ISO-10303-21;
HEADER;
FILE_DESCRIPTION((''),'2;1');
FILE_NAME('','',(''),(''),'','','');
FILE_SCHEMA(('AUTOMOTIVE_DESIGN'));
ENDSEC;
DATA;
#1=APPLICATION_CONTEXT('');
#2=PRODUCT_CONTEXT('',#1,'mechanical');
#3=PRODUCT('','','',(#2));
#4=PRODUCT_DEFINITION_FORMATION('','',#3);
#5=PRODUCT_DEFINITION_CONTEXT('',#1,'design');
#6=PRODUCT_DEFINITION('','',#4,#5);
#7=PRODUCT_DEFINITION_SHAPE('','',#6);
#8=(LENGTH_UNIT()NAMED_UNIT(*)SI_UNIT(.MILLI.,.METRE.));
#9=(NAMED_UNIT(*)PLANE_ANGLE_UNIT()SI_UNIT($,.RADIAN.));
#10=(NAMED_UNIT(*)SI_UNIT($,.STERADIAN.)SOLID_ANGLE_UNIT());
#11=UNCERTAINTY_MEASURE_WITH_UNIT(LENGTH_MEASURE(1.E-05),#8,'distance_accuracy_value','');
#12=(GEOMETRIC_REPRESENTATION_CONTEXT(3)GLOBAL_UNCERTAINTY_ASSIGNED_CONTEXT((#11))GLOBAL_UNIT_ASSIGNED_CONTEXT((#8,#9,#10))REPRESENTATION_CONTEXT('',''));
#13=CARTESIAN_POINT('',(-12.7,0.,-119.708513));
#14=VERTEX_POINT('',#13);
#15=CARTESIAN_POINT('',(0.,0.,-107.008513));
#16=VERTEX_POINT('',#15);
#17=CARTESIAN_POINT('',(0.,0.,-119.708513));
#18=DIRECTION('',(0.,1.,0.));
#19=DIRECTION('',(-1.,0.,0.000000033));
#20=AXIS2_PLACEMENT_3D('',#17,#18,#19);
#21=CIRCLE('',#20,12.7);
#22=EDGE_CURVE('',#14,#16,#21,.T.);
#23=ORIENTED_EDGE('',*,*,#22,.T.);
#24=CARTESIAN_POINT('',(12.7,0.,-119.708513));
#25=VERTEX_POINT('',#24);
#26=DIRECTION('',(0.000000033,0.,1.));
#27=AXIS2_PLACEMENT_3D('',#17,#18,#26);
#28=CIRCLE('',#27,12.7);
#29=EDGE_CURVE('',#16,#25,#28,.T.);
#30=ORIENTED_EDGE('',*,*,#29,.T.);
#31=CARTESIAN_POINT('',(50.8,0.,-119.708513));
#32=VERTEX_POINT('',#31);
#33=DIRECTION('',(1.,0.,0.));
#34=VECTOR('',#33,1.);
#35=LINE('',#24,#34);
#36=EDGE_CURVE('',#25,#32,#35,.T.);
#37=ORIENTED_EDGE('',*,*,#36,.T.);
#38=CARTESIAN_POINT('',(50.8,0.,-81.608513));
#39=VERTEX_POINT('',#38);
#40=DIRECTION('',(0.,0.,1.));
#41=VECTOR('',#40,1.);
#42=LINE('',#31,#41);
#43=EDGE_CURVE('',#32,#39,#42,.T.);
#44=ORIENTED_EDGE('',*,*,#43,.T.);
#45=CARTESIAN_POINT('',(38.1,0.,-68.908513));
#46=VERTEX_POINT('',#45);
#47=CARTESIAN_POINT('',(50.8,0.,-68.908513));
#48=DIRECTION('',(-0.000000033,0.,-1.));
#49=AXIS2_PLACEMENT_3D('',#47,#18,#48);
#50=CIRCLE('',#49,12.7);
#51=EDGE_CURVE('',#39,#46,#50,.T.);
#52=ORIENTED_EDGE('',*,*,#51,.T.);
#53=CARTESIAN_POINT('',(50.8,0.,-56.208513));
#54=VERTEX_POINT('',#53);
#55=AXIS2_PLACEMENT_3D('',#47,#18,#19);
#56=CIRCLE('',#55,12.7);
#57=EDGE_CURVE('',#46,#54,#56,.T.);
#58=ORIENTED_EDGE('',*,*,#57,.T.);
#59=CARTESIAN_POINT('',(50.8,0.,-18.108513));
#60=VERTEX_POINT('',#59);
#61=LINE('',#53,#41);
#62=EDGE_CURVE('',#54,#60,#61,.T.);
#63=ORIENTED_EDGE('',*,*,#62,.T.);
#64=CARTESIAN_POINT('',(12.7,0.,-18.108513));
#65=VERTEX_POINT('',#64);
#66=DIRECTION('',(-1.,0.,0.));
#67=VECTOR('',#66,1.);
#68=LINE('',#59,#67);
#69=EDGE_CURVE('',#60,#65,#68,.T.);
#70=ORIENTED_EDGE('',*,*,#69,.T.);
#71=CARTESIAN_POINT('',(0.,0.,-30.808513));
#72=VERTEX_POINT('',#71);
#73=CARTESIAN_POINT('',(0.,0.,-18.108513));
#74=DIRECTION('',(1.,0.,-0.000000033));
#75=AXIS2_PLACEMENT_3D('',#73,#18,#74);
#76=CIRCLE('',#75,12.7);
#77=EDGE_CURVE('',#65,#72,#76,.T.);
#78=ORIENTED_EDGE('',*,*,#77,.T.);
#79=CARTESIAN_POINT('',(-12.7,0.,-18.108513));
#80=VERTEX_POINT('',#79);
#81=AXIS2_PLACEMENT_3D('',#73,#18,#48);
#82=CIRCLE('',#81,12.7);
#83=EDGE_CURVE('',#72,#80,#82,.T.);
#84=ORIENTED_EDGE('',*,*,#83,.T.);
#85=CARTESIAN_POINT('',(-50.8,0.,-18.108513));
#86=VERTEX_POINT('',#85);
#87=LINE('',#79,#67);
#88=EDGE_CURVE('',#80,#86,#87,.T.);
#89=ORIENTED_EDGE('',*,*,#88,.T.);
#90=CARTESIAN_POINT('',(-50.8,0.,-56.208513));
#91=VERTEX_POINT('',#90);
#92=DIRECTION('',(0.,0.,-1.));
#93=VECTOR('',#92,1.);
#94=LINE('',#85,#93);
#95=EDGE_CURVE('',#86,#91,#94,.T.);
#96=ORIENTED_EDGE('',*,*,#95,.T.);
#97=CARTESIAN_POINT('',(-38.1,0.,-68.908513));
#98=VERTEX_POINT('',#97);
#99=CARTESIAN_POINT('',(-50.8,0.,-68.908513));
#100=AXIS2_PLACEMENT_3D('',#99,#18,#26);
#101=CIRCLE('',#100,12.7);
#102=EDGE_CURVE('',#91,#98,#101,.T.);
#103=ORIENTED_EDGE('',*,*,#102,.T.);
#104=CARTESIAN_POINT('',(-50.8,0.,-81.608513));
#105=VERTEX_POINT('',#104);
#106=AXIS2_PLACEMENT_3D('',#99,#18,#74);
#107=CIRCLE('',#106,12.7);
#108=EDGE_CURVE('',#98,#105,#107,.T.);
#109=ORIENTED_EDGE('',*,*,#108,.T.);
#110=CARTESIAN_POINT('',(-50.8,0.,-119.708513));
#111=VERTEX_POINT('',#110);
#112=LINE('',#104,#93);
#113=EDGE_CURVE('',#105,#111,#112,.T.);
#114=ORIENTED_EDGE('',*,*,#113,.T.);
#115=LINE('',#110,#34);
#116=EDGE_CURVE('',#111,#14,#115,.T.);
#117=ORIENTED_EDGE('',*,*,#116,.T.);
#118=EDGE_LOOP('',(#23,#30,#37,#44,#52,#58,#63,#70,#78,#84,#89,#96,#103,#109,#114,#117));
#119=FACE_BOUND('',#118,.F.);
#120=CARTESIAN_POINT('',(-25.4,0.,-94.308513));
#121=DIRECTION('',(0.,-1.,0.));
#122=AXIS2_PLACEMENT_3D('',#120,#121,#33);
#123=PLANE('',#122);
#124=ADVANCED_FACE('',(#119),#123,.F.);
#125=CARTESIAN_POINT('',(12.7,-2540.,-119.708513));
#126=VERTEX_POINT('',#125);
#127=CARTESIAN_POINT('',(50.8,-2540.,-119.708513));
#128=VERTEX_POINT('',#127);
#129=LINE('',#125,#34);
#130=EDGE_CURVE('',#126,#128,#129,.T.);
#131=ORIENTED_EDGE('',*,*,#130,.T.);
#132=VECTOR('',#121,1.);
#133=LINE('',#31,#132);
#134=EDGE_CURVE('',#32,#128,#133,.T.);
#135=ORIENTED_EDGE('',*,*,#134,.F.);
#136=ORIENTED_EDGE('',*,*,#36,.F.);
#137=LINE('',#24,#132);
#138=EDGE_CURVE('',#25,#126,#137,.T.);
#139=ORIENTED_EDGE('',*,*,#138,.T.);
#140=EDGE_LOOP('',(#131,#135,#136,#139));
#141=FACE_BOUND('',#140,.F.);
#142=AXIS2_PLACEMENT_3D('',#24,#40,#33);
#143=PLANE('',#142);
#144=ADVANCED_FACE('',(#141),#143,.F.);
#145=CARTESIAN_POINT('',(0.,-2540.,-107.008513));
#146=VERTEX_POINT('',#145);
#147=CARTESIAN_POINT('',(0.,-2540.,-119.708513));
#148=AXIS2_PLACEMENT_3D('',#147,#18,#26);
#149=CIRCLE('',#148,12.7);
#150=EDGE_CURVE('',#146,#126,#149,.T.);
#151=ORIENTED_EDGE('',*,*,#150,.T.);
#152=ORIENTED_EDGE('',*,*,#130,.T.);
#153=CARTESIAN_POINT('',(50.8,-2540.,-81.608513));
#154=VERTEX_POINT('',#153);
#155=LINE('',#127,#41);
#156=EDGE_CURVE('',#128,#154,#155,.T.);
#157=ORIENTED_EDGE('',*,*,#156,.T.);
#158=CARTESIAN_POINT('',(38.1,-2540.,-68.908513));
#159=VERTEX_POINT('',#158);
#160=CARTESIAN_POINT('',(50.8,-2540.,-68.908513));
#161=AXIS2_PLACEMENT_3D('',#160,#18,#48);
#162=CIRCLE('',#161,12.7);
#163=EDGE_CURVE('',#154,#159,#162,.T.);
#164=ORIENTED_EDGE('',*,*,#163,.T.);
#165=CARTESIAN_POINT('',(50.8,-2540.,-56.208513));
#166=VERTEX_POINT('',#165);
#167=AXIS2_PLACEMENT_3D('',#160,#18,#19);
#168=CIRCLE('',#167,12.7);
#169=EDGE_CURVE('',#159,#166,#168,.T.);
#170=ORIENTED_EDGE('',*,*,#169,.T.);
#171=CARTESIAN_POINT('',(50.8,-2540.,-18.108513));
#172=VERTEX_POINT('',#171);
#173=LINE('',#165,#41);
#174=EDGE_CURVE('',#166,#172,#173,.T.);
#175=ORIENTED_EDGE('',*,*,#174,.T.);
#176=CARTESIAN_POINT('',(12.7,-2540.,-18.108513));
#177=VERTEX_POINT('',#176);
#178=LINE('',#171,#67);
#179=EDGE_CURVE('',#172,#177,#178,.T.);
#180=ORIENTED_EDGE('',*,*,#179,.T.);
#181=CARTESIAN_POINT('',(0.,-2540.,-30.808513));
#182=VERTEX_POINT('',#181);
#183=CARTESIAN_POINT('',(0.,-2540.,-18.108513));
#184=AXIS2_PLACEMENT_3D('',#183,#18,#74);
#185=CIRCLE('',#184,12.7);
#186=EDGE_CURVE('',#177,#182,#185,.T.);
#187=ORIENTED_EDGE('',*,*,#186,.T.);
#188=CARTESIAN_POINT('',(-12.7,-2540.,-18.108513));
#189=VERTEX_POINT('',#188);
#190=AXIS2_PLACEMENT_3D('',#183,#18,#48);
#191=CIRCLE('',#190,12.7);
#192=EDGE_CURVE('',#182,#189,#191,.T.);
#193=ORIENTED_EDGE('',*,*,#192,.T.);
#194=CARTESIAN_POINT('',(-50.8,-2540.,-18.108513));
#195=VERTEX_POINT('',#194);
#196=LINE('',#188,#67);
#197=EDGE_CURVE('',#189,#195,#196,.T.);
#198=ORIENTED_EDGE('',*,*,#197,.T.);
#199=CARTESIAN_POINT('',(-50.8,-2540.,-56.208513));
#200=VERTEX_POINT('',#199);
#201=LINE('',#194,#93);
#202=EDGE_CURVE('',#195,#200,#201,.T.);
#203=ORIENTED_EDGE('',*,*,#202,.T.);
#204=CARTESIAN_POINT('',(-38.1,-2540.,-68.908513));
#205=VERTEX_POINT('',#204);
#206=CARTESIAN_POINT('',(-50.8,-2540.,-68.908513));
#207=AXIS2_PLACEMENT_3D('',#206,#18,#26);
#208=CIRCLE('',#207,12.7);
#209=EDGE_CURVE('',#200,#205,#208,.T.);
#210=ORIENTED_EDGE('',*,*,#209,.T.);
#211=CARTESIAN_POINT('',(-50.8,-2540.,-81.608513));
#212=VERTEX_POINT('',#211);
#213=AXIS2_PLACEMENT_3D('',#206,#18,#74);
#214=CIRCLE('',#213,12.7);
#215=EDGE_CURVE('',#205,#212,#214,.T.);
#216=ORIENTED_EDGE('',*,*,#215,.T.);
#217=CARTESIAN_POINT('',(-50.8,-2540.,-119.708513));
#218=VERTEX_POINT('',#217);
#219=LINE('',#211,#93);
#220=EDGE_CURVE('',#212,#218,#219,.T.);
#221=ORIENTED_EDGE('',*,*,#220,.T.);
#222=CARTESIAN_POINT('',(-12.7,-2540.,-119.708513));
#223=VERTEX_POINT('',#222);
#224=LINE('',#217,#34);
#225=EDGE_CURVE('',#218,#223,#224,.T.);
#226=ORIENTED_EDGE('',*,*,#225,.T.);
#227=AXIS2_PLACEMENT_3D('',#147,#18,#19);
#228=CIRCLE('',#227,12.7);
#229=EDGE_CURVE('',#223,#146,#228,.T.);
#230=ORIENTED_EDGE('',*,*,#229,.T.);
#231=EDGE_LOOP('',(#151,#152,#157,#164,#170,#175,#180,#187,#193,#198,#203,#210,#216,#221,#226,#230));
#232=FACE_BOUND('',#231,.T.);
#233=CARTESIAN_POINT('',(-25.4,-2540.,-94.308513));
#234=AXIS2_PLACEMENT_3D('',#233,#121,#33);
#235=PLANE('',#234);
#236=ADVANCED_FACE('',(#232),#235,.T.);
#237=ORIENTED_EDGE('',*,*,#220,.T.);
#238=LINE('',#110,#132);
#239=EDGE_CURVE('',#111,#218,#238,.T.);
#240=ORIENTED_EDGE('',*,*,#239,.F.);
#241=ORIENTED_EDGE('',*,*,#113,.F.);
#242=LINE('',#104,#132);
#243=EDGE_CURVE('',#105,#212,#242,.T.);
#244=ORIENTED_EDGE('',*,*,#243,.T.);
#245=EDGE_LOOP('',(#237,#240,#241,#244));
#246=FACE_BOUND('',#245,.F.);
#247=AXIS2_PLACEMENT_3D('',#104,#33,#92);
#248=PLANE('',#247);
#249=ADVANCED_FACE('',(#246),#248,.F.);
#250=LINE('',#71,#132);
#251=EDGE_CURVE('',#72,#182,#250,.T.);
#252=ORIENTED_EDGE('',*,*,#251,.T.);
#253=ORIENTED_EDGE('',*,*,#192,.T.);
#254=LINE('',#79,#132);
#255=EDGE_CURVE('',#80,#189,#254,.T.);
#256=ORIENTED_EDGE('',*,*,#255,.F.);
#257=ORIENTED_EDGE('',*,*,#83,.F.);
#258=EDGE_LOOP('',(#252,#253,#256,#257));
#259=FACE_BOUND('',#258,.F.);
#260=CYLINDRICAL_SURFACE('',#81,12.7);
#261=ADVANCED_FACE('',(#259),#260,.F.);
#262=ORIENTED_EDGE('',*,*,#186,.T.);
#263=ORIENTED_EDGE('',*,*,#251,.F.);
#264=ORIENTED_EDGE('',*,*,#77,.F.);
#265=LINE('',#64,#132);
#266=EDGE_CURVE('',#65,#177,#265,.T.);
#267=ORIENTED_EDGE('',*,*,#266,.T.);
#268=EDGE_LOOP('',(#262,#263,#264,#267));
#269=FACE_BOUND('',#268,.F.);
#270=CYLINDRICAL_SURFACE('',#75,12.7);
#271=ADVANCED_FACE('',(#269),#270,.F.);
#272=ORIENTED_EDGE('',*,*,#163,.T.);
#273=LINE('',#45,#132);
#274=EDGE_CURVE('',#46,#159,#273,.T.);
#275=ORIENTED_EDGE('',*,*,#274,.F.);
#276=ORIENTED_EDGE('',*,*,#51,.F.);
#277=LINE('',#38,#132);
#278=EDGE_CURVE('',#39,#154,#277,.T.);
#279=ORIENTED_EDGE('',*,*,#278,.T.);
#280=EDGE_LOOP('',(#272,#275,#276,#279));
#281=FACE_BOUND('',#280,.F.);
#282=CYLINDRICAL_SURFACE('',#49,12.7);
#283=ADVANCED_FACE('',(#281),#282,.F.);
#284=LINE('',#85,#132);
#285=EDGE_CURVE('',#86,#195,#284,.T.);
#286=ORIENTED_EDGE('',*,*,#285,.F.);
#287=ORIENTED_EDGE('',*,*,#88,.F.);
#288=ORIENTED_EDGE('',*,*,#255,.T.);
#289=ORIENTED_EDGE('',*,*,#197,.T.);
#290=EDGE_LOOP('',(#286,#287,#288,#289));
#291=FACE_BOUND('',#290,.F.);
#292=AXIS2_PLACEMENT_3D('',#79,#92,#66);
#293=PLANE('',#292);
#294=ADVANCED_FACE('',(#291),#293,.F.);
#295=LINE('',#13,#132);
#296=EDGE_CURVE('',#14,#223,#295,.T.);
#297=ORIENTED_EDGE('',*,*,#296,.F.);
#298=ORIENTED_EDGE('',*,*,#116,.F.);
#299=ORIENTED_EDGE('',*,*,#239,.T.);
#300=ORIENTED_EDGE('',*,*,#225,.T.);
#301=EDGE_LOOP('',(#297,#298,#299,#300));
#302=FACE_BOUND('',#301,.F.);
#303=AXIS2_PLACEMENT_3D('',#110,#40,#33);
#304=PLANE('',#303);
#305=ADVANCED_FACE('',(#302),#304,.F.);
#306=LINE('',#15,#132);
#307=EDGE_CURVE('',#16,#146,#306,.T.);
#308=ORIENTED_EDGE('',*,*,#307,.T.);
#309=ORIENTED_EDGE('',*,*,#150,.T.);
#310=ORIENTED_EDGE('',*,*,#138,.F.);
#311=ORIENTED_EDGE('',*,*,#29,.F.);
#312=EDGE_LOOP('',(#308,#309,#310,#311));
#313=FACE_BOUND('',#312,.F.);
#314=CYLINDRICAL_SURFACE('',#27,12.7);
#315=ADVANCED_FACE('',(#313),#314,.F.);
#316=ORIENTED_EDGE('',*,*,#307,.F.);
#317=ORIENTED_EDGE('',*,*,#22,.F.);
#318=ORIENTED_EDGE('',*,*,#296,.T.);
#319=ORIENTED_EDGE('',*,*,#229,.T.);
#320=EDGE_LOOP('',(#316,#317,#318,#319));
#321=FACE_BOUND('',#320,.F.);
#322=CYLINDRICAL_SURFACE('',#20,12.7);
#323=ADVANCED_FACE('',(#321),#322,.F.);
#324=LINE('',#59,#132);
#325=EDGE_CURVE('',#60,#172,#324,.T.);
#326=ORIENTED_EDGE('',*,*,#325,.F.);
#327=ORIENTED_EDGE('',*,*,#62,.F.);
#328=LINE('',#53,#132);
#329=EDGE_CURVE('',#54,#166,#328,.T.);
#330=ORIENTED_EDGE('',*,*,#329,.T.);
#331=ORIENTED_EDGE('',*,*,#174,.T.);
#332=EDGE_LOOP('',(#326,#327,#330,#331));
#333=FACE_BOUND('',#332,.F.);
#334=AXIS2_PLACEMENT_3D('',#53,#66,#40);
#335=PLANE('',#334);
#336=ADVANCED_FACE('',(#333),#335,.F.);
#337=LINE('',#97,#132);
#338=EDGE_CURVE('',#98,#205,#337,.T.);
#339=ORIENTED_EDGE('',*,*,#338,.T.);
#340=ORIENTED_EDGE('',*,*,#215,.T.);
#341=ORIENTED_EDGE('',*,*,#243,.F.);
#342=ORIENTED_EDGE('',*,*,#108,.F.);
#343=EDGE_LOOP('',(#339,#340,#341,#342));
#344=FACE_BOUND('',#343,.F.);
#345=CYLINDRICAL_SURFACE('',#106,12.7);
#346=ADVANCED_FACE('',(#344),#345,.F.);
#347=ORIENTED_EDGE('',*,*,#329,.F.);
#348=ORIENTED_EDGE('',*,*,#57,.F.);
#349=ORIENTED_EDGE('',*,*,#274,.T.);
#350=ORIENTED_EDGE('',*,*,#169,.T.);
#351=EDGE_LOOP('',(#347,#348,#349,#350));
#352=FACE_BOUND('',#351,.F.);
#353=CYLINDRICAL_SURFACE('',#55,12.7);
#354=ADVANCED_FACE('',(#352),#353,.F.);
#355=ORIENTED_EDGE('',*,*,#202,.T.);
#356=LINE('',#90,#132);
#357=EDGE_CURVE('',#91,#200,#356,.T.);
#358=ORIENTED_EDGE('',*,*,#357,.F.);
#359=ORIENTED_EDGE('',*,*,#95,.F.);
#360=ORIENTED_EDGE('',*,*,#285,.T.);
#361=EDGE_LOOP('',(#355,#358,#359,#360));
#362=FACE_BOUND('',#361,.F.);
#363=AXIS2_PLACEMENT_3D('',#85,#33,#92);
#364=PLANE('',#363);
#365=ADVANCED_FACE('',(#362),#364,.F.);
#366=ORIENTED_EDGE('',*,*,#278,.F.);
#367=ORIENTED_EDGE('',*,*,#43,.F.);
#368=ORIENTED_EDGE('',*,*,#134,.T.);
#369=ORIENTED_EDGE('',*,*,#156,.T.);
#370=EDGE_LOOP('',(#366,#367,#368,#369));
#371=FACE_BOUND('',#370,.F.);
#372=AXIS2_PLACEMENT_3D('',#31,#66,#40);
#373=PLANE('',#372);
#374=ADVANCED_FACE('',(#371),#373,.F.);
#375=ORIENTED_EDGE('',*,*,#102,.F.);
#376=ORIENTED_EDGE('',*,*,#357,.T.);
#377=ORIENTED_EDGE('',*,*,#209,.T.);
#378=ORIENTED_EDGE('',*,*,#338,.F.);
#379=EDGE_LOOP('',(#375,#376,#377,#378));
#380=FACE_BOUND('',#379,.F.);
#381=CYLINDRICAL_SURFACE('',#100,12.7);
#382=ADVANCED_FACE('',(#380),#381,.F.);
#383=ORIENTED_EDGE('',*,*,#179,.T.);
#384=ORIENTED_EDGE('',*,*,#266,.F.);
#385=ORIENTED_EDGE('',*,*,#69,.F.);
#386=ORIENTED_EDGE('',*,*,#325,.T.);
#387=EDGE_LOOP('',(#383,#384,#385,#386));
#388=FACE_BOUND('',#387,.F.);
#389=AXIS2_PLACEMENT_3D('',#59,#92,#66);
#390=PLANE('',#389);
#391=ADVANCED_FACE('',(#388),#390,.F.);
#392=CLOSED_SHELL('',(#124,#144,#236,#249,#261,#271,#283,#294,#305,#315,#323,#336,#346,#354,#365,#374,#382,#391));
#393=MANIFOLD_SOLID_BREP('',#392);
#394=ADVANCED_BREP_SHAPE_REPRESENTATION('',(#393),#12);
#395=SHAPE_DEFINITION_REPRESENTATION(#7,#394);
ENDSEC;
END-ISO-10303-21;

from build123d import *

# Parameters (mm, degrees)
F1_DEPTH = 2540


with BuildPart() as f1:
    # F0 (on Front) → F1 (new body)
    with BuildSketch(Plane.XZ):
        with BuildLine():
            Line((-50.8, -81.608513), (-50.8, -119.708513))
            Line((-50.8, -119.708513), (-12.7, -119.708513))
            ThreePointArc((-12.7, -119.708513), (-8.980256, -110.728257), (0, -107.008513))
            Line((0, -107.008513), (0, -68.908513))
            Line((0, -68.908513), (-38.1, -68.908513))
            ThreePointArc((-38.1, -68.908513), (-41.819744, -77.888769), (-50.8, -81.608513))
        make_face()
        with BuildLine():
            Line((0, -68.908513), (0, -107.008513))
            ThreePointArc((0, -107.008513), (8.980256, -110.728257), (12.7, -119.708513))
            Line((12.7, -119.708513), (50.8, -119.708513))
            Line((50.8, -119.708513), (50.8, -81.608513))
            ThreePointArc((50.8, -81.608513), (41.819744, -77.888769), (38.1, -68.908513))
            Line((38.1, -68.908513), (0, -68.908513))
        make_face()
        with BuildLine():
            ThreePointArc((-50.8, -56.208513), (-41.819744, -59.928257), (-38.1, -68.908513))
            Line((-38.1, -68.908513), (0, -68.908513))
            Line((0, -68.908513), (0, -30.808513))
            ThreePointArc((0, -30.808513), (-8.980256, -27.088769), (-12.7, -18.108513))
            Line((-12.7, -18.108513), (-50.8, -18.108513))
            Line((-50.8, -18.108513), (-50.8, -56.208513))
        make_face()
        with BuildLine():
            Line((0, -30.808513), (0, -68.908513))
            Line((0, -68.908513), (38.1, -68.908513))
            ThreePointArc((38.1, -68.908513), (41.819744, -59.928257), (50.8, -56.208513))
            Line((50.8, -56.208513), (50.8, -18.108513))
            Line((50.8, -18.108513), (12.7, -18.108513))
            ThreePointArc((12.7, -18.108513), (8.980256, -27.088769), (0, -30.808513))
        make_face()
    extrude(amount=F1_DEPTH)


solid = f1.part
